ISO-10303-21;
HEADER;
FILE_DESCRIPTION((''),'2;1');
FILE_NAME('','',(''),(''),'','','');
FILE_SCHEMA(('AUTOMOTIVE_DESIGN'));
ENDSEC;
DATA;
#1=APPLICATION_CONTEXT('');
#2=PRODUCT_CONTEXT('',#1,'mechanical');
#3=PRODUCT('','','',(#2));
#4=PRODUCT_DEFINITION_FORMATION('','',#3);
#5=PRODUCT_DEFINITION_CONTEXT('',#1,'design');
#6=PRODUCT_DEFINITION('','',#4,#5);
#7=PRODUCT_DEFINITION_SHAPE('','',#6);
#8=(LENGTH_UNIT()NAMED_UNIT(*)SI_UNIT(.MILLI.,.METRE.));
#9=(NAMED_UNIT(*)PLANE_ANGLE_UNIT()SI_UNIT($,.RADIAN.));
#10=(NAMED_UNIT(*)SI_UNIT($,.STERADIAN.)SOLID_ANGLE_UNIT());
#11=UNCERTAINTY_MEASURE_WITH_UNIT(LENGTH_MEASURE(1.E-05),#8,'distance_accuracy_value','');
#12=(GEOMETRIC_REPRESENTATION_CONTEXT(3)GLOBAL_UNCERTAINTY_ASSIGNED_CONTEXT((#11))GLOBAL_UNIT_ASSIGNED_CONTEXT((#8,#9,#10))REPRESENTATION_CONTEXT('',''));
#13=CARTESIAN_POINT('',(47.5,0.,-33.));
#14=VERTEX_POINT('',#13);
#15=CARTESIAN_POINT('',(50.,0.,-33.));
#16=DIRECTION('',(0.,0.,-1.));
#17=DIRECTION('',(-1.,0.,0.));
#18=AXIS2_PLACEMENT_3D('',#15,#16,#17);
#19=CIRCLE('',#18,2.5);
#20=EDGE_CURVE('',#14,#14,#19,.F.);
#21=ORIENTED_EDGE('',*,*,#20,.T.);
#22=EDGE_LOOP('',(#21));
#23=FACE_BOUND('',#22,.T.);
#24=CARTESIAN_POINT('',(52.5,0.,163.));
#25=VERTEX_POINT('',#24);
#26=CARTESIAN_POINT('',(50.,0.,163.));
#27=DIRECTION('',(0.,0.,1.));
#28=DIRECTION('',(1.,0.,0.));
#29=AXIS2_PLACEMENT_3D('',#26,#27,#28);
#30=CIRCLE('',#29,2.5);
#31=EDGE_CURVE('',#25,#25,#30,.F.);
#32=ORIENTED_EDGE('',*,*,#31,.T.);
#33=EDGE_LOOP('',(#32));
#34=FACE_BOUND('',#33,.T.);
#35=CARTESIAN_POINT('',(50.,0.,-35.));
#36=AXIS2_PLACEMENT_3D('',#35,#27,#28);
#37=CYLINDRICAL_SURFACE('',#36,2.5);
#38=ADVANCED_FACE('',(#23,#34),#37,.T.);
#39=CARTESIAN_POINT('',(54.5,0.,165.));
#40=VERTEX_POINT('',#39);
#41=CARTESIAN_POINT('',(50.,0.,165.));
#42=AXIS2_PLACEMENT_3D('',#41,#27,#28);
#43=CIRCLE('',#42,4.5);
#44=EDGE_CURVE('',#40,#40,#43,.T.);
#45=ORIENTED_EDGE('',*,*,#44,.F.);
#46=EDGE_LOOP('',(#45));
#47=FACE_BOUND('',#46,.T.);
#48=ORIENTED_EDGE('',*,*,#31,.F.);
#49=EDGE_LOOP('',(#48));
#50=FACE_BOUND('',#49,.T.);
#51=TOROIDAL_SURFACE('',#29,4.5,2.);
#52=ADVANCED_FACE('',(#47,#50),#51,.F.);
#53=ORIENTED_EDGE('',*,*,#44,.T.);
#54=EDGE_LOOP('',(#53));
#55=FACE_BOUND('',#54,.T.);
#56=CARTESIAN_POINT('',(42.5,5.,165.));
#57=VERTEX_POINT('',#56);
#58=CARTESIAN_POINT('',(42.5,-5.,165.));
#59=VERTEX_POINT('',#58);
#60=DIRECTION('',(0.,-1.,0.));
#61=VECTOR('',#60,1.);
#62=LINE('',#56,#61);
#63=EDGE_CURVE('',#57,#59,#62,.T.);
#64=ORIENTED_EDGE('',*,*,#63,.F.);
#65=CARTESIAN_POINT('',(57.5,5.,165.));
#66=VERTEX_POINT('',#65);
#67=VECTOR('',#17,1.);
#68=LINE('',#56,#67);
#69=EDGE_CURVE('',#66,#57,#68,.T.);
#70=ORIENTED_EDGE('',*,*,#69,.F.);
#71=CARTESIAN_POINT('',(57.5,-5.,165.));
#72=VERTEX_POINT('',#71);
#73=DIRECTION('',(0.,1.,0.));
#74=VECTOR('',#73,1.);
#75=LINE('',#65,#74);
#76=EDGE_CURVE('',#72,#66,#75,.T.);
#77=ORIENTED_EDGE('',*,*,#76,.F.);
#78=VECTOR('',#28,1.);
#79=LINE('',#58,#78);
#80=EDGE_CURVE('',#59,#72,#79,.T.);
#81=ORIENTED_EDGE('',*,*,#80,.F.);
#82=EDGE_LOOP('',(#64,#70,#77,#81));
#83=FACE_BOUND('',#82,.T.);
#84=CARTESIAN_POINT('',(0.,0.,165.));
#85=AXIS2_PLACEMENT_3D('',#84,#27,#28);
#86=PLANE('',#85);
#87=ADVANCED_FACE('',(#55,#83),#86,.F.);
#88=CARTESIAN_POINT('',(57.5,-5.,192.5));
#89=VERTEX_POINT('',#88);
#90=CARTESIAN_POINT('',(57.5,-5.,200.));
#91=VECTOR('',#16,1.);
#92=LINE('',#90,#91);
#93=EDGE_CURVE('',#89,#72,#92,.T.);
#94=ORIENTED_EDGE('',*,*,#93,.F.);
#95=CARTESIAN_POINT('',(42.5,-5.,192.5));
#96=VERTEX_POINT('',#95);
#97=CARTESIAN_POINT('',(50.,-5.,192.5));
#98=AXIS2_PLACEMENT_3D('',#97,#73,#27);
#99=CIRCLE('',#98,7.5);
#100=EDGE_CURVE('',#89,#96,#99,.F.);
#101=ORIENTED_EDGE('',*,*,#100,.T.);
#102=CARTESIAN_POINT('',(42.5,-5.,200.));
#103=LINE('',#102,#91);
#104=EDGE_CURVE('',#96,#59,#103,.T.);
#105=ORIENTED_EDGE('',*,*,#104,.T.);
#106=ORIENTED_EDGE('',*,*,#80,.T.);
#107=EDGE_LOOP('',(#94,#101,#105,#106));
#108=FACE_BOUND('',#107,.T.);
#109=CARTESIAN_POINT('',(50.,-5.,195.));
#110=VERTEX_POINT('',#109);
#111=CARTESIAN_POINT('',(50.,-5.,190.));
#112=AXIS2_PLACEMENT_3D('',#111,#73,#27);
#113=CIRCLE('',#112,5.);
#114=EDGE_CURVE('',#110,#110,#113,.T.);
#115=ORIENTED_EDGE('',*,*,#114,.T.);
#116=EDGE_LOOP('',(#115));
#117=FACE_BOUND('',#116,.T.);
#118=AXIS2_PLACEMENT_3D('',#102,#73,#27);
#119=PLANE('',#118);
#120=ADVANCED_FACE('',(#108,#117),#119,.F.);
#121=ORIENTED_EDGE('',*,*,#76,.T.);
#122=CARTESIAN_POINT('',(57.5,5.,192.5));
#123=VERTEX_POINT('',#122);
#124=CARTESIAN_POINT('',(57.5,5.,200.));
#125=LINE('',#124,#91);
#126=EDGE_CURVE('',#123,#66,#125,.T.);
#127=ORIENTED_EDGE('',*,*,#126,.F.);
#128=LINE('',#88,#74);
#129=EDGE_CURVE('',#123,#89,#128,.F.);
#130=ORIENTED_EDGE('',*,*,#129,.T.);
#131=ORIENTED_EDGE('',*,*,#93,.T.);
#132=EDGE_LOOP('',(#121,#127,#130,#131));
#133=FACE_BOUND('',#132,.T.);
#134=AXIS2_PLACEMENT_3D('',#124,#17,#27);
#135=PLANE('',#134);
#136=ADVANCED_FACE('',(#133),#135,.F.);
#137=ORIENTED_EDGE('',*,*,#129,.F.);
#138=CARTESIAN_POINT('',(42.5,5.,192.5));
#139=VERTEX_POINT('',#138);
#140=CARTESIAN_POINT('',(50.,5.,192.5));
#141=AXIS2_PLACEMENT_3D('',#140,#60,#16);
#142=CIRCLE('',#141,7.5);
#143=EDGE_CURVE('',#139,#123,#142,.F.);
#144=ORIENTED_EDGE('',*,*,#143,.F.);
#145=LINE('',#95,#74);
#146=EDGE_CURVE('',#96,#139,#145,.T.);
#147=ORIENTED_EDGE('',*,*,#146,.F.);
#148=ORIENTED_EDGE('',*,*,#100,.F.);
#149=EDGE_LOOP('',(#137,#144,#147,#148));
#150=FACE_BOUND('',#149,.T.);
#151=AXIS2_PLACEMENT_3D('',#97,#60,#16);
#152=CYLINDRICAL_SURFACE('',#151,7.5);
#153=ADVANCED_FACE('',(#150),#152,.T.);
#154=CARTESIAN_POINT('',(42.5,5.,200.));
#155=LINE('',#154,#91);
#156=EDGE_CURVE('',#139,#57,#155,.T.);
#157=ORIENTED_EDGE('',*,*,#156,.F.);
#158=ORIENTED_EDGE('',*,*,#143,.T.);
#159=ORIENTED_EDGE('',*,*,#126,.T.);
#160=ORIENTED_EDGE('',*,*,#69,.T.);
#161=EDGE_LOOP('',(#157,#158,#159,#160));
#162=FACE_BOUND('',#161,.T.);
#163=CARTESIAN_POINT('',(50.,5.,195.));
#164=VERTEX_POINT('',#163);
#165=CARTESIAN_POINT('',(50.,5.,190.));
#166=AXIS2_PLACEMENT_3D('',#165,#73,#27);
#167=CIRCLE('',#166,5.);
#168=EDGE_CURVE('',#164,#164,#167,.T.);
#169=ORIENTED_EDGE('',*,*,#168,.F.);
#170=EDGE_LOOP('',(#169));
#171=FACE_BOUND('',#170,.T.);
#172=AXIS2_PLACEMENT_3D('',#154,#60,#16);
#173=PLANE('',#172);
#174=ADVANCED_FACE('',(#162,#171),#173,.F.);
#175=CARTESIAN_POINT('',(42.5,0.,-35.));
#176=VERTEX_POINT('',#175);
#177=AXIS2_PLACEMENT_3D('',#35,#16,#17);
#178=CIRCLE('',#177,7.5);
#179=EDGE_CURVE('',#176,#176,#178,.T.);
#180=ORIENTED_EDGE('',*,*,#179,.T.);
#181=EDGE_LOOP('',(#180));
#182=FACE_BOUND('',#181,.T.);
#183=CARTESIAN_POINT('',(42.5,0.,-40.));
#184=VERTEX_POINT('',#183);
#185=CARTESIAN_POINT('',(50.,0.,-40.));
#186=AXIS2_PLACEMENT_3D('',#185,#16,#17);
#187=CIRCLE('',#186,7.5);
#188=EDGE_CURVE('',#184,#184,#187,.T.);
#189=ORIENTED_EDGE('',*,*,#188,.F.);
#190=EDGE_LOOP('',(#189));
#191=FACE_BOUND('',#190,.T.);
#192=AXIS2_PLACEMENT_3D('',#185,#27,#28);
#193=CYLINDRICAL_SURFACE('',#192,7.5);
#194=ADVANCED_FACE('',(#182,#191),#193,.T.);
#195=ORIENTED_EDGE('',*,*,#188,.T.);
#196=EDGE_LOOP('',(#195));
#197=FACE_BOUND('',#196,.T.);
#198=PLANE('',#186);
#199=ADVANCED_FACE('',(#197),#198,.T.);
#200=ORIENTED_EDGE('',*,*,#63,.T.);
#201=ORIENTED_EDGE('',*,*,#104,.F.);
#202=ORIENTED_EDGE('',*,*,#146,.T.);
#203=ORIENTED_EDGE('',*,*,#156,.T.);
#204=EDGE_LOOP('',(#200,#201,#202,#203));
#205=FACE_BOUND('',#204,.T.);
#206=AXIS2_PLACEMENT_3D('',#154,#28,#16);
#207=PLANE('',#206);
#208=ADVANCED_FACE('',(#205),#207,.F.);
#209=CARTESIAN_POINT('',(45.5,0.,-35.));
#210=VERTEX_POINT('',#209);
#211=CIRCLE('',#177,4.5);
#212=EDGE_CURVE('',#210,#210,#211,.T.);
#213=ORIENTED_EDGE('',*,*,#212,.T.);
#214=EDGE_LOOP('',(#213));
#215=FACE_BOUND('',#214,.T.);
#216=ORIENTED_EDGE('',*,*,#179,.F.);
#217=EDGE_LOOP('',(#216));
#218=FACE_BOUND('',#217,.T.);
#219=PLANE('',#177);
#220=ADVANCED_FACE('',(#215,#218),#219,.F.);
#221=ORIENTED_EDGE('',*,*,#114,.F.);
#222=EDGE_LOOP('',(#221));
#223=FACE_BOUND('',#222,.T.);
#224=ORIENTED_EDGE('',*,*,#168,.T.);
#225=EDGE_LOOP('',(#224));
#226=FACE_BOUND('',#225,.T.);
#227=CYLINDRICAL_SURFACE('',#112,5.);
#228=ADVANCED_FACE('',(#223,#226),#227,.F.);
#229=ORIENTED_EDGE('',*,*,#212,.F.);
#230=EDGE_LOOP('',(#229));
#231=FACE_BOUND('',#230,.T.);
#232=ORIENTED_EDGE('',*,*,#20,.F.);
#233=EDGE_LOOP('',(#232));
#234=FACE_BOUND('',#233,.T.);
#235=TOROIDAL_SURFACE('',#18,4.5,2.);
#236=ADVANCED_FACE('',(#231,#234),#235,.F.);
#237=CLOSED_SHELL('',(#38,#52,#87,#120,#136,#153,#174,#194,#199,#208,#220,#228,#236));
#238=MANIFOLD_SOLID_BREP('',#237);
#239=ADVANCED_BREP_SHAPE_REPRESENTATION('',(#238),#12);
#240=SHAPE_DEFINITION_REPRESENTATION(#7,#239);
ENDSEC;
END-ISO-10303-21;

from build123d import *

# Parameters (mm, degrees)
BOSS_EXTRUDE1_DEPTH      = 165
BOSS_EXTRUDE1_DEPTH_BACK = 35
SKETCH1_R                = 2.5
SKETCH2_W                = 15
SKETCH2_H                = 10
BOSS_EXTRUDE2_DEPTH      = 35
SKETCH3_R                = 5
CUT_EXTRUDE1_DEPTH       = 209.3416665
FILLET1_RADIUS           = 7.5
FILLET1_LENGTH           = 10
FILLET2_R                = 2
SKETCH4_R                = 7.5
BOSS_EXTRUDE3_DEPTH      = 5
FILLET3_R                = 2


with BuildPart() as part:
    # Sketch1 → Boss-Extrude1 (new, two sides: drawn at the far end of the back side and taken through both)
    with BuildSketch(Plane.XY.offset(-BOSS_EXTRUDE1_DEPTH_BACK)):
        with Locations((50, 0)):
            Circle(SKETCH1_R)
    extrude(amount=BOSS_EXTRUDE1_DEPTH + BOSS_EXTRUDE1_DEPTH_BACK)

    # Sketch2 → Boss-Extrude2 (add)
    with BuildSketch(Plane.XY.offset(165)):
        with Locations((50, 0)):
            Rectangle(SKETCH2_W, SKETCH2_H)
    extrude(amount=BOSS_EXTRUDE2_DEPTH)

    # Sketch3 → Cut-Extrude1 (cut, through all)
    with BuildSketch(Plane(origin=(0, 5, 0), x_dir=(1, 0, 0), z_dir=(0, 1, 0))):
        with Locations(Location((50, -190, 0), (0, 0, 270))):
            Circle(SKETCH3_R)
    extrude(amount=-CUT_EXTRUDE1_DEPTH, mode=Mode.SUBTRACT)

    # Fillet1: full round fillet: the end face becomes a half cylinder, R = half its width
    fillet1_face = Plane((50, 0, 200), x_dir=(0, -1, 0), z_dir=(0, 0, 1))  # on the end face: x along it, z out of the body
    fillet1_slab = fillet1_face.offset(-FILLET1_RADIUS / 2) * Box(FILLET1_LENGTH, 2 * FILLET1_RADIUS, FILLET1_RADIUS, mode=Mode.PRIVATE)  # the body's end, R deep
    fillet1_round = Plane((50, 0, 192.5), x_dir=(0, 0, 1), z_dir=(0, -1, 0)) * Cylinder(FILLET1_RADIUS, FILLET1_LENGTH, mode=Mode.PRIVATE)  # its axis R under the face
    add(fillet1_slab - fillet1_round, mode=Mode.SUBTRACT)

    # Fillet2
    fillet2_edges = [part.edges().sort_by_distance(p)[0] for p in [
        (47.5, 0, 165),
    ]]
    fillet(fillet2_edges, radius=FILLET2_R)

    # Sketch4 → Boss-Extrude3 (add)
    with BuildSketch(Plane(origin=(0, 0, -35), x_dir=(-1, 0, 0), z_dir=(0, 0, -1))):
        with Locations((-50, 0)):
            Circle(SKETCH4_R)
    extrude(amount=BOSS_EXTRUDE3_DEPTH)

    # Fillet3
    fillet3_edges = [part.edges().sort_by_distance(p)[0] for p in [
        (47.5, 0, -35),
    ]]
    fillet(fillet3_edges, radius=FILLET3_R)


solid = part.part
